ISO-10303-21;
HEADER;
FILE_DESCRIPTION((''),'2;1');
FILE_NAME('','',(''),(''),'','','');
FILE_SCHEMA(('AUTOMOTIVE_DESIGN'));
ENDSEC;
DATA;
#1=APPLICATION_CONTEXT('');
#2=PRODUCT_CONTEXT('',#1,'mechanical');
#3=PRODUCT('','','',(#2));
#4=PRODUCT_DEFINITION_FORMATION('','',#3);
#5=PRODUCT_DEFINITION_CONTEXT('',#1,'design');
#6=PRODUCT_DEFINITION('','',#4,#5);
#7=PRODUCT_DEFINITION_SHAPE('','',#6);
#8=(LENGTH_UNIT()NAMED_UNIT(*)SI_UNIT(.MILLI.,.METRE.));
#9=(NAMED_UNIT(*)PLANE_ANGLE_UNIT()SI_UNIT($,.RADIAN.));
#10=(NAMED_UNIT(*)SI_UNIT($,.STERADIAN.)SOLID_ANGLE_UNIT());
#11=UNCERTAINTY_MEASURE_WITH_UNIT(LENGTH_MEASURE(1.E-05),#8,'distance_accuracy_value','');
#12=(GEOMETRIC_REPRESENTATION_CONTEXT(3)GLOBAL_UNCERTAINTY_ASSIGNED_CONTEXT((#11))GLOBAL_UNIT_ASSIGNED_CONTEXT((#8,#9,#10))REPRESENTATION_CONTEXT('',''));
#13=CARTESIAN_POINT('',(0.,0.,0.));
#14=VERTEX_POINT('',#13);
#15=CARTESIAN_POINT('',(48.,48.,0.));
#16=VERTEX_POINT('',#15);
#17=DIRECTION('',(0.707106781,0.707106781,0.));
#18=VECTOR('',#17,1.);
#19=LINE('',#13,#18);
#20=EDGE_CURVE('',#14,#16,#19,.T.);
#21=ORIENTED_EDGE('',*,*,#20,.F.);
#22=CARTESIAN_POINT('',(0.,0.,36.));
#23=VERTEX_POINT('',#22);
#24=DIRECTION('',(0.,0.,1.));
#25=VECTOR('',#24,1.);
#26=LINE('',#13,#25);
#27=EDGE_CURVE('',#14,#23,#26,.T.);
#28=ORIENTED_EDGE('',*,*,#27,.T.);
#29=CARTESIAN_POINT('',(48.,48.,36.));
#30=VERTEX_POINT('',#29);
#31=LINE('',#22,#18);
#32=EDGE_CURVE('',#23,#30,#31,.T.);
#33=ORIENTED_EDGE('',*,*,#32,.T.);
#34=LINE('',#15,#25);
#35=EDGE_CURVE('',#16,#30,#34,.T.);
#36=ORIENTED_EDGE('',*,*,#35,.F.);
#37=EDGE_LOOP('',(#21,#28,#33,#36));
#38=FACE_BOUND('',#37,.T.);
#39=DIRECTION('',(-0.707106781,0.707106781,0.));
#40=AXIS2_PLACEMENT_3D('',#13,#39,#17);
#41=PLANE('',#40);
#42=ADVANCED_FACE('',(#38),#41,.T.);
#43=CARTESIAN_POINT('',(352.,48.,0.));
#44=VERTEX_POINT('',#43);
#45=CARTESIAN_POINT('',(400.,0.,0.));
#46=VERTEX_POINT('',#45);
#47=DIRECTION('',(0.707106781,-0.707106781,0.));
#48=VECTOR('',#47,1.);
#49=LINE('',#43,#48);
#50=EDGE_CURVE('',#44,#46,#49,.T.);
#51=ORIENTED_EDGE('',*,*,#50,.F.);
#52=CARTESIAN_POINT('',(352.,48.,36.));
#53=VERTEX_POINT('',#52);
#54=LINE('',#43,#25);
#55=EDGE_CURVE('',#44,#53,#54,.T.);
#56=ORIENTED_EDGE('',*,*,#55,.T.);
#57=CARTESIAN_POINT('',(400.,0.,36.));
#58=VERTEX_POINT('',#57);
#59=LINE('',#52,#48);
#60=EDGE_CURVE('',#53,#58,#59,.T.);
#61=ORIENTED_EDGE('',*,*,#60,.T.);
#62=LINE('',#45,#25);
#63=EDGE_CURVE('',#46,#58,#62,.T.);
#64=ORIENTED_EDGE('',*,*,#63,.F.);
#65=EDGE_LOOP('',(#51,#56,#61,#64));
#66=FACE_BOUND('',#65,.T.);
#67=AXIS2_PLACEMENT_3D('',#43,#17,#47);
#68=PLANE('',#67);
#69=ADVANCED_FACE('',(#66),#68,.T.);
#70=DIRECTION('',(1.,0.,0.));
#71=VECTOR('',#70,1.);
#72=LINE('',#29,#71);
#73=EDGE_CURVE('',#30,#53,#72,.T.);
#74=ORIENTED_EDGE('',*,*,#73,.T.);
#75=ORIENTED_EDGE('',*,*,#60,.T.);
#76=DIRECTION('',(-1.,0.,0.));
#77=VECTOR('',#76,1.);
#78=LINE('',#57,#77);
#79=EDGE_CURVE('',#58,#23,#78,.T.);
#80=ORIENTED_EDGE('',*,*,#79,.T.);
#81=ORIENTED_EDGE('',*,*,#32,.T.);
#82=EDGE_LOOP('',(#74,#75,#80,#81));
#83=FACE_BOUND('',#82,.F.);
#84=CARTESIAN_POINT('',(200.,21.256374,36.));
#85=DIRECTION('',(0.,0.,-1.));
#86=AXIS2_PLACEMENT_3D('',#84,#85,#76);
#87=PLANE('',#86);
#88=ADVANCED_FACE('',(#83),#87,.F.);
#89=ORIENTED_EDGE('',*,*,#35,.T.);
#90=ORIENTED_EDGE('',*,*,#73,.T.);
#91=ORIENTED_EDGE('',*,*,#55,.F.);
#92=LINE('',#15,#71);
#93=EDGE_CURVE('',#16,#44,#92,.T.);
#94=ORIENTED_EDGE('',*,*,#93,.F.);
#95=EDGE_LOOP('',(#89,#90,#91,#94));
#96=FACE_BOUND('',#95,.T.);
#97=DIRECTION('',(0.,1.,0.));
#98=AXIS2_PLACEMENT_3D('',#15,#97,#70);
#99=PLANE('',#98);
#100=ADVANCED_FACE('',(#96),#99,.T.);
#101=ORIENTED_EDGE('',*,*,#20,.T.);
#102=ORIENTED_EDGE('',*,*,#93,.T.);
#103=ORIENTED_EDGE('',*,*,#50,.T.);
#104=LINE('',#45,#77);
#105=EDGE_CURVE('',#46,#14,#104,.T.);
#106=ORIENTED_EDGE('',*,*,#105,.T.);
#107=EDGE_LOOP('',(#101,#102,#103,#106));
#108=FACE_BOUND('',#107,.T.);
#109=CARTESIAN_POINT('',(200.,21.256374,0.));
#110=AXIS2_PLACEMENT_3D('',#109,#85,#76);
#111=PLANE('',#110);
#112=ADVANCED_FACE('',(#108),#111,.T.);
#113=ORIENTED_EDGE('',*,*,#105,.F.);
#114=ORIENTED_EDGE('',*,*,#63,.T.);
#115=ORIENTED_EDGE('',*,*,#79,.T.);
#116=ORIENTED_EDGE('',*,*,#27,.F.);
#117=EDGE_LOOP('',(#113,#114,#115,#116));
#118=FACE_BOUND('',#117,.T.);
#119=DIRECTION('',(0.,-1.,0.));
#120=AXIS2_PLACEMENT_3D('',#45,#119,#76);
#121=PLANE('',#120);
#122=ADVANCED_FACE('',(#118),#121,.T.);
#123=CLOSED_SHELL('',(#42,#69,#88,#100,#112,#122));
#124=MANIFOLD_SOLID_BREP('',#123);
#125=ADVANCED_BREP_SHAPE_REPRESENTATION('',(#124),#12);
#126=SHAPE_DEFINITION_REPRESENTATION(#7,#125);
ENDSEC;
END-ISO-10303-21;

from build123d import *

# Parameters (mm, degrees)
EXTRUDE_DEPTH = 36


with BuildPart() as part:
    # Sketch → Extrude (new body)
    with BuildSketch(Plane.XY):
        Polygon((0, 0), (48, 48), (352, 48), (400, 0), align=None)
    extrude(amount=EXTRUDE_DEPTH)


solid = part.part
